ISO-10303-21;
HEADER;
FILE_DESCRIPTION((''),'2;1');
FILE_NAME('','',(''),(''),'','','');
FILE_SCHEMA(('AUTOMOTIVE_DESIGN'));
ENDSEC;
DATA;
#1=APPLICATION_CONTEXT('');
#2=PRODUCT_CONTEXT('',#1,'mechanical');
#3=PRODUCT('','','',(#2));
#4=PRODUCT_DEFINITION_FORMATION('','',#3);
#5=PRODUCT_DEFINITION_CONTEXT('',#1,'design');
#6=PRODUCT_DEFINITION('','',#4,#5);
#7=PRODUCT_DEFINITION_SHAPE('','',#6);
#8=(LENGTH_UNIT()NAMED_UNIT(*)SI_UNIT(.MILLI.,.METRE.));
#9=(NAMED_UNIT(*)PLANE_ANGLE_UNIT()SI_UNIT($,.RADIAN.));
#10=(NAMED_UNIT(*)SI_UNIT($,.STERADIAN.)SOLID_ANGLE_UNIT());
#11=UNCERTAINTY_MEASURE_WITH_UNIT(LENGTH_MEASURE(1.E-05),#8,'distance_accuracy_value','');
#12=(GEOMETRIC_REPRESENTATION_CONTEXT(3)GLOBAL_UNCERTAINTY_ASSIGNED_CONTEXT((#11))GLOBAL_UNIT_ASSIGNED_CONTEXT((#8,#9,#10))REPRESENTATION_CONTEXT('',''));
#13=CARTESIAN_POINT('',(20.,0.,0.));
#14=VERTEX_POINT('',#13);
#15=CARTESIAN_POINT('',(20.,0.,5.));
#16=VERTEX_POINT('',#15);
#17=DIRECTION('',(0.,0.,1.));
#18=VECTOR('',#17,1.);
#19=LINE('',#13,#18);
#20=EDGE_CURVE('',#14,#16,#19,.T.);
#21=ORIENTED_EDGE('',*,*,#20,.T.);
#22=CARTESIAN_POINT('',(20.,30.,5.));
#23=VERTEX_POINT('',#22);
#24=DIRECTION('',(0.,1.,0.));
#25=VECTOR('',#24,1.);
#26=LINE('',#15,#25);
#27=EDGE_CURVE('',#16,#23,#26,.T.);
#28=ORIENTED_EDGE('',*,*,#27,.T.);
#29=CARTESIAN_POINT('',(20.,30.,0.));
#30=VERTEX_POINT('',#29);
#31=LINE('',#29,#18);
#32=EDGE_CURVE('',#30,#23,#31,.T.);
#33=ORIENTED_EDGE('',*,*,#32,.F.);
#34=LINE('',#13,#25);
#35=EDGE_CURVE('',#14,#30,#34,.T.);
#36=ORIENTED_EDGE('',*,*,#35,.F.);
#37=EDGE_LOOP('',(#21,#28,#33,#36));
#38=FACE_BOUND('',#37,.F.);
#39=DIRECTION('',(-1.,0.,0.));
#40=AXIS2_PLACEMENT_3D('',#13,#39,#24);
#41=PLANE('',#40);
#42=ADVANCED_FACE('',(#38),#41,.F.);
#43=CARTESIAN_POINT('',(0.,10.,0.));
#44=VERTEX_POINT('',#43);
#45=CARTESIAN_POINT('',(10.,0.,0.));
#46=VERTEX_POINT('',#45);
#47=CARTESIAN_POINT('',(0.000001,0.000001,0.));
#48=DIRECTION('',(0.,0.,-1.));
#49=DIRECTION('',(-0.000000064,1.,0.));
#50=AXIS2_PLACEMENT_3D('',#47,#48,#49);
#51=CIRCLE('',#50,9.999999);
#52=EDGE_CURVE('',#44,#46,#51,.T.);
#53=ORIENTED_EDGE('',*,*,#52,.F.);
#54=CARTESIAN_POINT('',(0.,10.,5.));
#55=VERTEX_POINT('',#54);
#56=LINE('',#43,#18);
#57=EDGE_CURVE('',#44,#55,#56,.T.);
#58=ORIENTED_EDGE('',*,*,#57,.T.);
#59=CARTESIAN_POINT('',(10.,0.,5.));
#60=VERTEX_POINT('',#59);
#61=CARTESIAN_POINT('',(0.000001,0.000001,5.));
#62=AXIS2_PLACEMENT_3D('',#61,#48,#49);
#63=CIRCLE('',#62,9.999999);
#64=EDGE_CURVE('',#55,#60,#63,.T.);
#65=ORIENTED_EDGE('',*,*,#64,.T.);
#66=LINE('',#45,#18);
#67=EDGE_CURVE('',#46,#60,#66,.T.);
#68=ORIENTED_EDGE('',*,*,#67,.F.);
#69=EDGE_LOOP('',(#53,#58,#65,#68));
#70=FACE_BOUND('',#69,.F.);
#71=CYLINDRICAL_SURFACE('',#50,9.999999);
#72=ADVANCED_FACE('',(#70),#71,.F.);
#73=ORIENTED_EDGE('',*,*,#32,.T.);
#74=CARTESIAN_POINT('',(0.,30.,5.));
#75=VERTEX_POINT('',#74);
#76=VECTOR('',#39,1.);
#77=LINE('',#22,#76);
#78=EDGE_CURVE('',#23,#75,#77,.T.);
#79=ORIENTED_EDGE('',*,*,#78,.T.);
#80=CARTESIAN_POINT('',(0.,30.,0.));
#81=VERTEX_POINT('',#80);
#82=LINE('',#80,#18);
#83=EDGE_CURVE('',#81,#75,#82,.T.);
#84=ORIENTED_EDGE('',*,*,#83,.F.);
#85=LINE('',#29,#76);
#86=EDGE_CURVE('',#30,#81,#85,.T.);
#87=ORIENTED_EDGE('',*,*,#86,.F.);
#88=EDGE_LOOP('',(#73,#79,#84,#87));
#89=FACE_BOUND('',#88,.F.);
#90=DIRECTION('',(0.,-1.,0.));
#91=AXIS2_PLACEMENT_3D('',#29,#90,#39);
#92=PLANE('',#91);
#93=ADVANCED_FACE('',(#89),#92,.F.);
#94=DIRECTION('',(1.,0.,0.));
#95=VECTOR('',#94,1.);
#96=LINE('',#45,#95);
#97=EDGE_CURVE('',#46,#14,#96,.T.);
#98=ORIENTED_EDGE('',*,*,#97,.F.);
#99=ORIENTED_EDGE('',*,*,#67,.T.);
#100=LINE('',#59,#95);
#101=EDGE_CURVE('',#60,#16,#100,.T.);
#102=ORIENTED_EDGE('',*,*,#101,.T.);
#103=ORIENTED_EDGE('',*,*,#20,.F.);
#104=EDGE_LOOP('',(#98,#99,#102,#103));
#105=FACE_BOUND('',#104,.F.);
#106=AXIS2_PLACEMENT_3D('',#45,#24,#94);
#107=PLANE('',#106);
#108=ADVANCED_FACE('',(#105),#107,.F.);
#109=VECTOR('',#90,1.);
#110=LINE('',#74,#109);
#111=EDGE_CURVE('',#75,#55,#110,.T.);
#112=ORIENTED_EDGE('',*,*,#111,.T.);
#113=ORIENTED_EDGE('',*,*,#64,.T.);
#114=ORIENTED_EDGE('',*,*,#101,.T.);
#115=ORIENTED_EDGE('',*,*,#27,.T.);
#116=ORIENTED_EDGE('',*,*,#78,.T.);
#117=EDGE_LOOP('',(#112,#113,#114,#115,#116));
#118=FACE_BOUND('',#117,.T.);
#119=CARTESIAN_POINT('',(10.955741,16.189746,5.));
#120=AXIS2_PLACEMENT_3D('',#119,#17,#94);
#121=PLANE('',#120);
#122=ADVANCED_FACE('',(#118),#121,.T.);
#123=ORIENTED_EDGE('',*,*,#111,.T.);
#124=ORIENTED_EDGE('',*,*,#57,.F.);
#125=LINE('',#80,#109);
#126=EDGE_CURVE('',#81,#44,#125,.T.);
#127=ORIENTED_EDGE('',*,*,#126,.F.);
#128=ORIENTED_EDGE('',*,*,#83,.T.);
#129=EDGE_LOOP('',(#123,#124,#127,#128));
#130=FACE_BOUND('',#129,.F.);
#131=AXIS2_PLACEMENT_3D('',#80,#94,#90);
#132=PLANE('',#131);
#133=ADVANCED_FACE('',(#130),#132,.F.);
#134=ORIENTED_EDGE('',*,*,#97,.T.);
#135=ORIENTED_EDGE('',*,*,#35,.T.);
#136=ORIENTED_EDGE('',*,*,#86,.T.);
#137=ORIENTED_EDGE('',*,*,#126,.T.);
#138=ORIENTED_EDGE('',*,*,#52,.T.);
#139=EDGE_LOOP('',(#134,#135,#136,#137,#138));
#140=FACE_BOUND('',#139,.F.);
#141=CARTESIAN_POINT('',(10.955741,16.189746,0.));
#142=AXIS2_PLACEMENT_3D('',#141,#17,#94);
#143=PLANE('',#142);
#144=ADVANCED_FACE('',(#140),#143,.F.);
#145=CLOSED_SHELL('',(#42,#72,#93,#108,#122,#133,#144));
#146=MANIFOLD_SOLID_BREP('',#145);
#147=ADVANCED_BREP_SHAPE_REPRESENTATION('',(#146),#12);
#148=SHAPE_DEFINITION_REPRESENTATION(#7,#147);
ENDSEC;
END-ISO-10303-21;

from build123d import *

# Parameters (mm, degrees)
F1_DEPTH = 5


with BuildPart() as f1:
    # F0 (on Top) → F1 (new body)
    with BuildSketch(Plane.XY):
        with BuildLine():
            Line((0, 30), (0, 10))
            ThreePointArc((0, 10), (7.071068, 7.071068), (10, 0))
            Line((10, 0), (20, 0))
            Line((20, 0), (20, 30))
            Line((20, 30), (0, 30))
        make_face()
    extrude(amount=F1_DEPTH)


solid = f1.part
